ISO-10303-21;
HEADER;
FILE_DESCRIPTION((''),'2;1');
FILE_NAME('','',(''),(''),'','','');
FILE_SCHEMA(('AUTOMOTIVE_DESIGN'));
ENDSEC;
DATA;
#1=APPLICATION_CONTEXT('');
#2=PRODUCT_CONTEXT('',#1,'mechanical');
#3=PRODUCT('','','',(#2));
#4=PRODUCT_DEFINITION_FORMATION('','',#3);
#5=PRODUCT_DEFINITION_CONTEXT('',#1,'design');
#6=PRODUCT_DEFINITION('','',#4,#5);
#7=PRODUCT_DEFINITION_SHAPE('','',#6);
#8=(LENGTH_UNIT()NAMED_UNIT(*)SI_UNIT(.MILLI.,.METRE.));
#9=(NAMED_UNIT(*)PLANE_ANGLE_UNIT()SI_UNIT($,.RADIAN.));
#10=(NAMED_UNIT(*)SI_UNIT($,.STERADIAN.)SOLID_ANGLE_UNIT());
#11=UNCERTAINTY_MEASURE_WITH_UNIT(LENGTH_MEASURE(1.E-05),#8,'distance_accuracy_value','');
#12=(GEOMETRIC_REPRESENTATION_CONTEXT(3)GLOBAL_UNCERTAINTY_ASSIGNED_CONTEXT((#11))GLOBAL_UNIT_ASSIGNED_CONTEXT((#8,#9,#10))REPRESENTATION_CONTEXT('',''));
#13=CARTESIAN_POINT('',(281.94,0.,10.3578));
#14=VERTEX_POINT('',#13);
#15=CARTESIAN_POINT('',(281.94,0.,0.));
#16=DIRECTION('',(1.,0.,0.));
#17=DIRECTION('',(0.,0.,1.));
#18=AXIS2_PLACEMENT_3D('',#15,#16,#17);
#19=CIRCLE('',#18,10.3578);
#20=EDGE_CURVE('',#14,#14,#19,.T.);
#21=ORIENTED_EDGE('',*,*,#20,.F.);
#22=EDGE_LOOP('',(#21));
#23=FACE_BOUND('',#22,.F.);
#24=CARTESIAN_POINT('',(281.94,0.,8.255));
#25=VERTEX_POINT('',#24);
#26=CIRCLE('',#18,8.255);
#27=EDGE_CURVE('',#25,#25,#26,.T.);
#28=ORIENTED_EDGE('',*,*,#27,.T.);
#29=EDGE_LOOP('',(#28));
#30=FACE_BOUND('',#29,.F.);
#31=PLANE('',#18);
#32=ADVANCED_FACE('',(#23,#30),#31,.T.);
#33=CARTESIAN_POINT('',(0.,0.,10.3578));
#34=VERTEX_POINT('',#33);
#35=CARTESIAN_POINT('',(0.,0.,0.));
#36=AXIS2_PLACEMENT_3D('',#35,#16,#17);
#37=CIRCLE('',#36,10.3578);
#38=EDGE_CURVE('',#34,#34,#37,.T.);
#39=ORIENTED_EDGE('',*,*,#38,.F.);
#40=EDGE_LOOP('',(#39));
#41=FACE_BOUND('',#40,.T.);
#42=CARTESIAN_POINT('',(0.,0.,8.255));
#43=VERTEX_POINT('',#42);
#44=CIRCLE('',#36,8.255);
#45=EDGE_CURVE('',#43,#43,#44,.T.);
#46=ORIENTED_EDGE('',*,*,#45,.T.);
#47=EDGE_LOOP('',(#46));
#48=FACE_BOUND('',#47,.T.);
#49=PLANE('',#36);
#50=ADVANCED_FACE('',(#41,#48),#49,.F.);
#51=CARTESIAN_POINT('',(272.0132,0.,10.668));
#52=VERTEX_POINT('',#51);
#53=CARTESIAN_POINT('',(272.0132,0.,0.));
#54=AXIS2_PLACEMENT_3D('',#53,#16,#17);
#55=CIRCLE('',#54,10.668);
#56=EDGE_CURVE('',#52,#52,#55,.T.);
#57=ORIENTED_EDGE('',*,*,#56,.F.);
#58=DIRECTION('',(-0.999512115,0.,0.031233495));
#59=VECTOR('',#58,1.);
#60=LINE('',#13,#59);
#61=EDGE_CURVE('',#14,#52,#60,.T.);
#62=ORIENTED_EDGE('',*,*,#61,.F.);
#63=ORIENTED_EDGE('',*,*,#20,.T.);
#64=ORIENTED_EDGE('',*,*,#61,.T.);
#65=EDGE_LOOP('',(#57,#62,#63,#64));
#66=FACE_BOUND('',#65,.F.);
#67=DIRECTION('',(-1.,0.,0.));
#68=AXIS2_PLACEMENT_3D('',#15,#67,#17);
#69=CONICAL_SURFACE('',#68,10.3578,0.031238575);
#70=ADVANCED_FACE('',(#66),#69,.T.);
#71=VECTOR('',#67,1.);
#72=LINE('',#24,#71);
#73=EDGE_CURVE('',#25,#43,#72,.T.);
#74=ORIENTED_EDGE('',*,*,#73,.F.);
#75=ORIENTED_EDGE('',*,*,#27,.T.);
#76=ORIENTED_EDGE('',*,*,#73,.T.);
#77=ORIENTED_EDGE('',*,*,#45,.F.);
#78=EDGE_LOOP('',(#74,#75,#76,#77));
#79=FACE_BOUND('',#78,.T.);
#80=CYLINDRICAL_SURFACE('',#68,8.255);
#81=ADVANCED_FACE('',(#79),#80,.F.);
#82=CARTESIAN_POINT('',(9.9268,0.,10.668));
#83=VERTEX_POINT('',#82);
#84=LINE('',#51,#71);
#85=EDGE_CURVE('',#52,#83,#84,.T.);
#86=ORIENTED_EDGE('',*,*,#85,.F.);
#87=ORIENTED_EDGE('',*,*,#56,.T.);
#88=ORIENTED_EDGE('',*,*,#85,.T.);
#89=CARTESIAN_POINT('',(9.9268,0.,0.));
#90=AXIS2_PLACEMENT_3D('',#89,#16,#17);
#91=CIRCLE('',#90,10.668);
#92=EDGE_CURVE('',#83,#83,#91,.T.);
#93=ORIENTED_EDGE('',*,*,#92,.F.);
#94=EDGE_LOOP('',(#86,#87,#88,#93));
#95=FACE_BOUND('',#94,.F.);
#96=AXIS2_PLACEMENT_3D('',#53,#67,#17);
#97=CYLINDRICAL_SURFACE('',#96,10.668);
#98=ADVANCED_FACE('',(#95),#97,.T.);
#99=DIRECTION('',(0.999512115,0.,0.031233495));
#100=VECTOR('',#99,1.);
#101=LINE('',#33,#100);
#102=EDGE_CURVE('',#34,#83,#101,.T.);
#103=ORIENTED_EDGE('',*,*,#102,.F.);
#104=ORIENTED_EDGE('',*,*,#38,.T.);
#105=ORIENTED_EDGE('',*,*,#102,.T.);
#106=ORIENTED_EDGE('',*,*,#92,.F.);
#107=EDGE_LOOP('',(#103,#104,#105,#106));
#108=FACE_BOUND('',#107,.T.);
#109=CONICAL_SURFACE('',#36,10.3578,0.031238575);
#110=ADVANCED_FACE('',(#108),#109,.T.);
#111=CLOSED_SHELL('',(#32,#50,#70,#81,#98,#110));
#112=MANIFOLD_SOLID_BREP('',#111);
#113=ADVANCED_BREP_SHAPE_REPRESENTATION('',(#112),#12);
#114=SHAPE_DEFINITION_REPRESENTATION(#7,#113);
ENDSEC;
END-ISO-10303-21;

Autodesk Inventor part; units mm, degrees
ref_plane "YZ Plane" through (0, 0, 0) normal (1, 0, 0) x (0, 1, 0)
ref_plane "XZ Plane" through (0, 0, 0) normal (0, 1, 0) x (-1, 0, 0)
ref_plane "XY Plane" through (0, 0, 0) normal (0, 0, 1) x (1, 0, 0)
sketch "Sketch1" plane through (0, 0, 0) normal (0, 1, 0) x (-1, 0, 0)
  line L0 (0, 0) -> (-281.94, 0)
  line L1 (-281.94, 0) -> (-281.94, 8.255) construction
  line L2 (-281.94, 8.255) -> (-281.94, 10.3578)
  line L3 (-281.94, 10.3578) -> (-272.0132, 10.668)
  line L4 (-272.0132, 10.668) -> (-9.9268, 10.668)
  line L5 (-140.97, 0) -> (-140.97, 10.668) construction
  line L6 (-281.94, 8.255) -> (0, 8.255)
  line L7 (0, 0) -> (0, 8.255) construction
  line L8 (0, 8.255) -> (0, 10.3578)
  line L9 (0, 10.3578) -> (-9.9268, 10.668)
  line L10 (-268.384, 10.7814) -> (-268.384, 0) construction
  line L11 (-13.556, 10.7814) -> (-13.556, 0) construction
  line L12 (-272.0132, 10.668) -> (-268.384, 10.7814) construction
  line L13 (-272.0132, 10.668) -> (-272.0132, 0) construction
  line L14 (-9.9268, 10.668) -> (-13.556, 10.7814) construction
  line L15 (-9.9268, 10.668) -> (-9.9268, 0) construction
  dimension "d0" = 21.336
  dimension "d1" = 1.79
  dimension "d2" = 16.51
  dimension "d3" = 281.94
  dimension "d4" = 13.556
  dimension "d5" = 21.5628
revolve "Revolution1" add sketch "Sketch1" angle 360 about axis through (0, 0, 0) along (1, 0, 0)
thread "Thread1" size "1/2" designation "1/2 - 14 NPT" standard "NPT" full length
thread "Thread2" size "1/2" designation "1/2 - 14 NPT" standard "NPT" full length
equation "\"d0\" = OD"
equation "\"d2\" = ID"
equation "\"d3\" = L"
equation "\"d4\" = L2"
equation "\"d5\" = D2"
equation "\"OD\" = 21.336"
equation "\"t\" = 2.413"
equation "\"L\" = PL"
equation "\"L4\" = 19.8501"
equation "\"ID\" = 16.51"
equation "\"PL\" = 281.94"
equation "\"D2\" = 21.56282"
equation "\"L2\" = 13.55598"
equation "\"Size_Designation\" = 1.2345"
equation "\"PLmin\" = 2 * L2"
properties material "Steel, Wrought"
